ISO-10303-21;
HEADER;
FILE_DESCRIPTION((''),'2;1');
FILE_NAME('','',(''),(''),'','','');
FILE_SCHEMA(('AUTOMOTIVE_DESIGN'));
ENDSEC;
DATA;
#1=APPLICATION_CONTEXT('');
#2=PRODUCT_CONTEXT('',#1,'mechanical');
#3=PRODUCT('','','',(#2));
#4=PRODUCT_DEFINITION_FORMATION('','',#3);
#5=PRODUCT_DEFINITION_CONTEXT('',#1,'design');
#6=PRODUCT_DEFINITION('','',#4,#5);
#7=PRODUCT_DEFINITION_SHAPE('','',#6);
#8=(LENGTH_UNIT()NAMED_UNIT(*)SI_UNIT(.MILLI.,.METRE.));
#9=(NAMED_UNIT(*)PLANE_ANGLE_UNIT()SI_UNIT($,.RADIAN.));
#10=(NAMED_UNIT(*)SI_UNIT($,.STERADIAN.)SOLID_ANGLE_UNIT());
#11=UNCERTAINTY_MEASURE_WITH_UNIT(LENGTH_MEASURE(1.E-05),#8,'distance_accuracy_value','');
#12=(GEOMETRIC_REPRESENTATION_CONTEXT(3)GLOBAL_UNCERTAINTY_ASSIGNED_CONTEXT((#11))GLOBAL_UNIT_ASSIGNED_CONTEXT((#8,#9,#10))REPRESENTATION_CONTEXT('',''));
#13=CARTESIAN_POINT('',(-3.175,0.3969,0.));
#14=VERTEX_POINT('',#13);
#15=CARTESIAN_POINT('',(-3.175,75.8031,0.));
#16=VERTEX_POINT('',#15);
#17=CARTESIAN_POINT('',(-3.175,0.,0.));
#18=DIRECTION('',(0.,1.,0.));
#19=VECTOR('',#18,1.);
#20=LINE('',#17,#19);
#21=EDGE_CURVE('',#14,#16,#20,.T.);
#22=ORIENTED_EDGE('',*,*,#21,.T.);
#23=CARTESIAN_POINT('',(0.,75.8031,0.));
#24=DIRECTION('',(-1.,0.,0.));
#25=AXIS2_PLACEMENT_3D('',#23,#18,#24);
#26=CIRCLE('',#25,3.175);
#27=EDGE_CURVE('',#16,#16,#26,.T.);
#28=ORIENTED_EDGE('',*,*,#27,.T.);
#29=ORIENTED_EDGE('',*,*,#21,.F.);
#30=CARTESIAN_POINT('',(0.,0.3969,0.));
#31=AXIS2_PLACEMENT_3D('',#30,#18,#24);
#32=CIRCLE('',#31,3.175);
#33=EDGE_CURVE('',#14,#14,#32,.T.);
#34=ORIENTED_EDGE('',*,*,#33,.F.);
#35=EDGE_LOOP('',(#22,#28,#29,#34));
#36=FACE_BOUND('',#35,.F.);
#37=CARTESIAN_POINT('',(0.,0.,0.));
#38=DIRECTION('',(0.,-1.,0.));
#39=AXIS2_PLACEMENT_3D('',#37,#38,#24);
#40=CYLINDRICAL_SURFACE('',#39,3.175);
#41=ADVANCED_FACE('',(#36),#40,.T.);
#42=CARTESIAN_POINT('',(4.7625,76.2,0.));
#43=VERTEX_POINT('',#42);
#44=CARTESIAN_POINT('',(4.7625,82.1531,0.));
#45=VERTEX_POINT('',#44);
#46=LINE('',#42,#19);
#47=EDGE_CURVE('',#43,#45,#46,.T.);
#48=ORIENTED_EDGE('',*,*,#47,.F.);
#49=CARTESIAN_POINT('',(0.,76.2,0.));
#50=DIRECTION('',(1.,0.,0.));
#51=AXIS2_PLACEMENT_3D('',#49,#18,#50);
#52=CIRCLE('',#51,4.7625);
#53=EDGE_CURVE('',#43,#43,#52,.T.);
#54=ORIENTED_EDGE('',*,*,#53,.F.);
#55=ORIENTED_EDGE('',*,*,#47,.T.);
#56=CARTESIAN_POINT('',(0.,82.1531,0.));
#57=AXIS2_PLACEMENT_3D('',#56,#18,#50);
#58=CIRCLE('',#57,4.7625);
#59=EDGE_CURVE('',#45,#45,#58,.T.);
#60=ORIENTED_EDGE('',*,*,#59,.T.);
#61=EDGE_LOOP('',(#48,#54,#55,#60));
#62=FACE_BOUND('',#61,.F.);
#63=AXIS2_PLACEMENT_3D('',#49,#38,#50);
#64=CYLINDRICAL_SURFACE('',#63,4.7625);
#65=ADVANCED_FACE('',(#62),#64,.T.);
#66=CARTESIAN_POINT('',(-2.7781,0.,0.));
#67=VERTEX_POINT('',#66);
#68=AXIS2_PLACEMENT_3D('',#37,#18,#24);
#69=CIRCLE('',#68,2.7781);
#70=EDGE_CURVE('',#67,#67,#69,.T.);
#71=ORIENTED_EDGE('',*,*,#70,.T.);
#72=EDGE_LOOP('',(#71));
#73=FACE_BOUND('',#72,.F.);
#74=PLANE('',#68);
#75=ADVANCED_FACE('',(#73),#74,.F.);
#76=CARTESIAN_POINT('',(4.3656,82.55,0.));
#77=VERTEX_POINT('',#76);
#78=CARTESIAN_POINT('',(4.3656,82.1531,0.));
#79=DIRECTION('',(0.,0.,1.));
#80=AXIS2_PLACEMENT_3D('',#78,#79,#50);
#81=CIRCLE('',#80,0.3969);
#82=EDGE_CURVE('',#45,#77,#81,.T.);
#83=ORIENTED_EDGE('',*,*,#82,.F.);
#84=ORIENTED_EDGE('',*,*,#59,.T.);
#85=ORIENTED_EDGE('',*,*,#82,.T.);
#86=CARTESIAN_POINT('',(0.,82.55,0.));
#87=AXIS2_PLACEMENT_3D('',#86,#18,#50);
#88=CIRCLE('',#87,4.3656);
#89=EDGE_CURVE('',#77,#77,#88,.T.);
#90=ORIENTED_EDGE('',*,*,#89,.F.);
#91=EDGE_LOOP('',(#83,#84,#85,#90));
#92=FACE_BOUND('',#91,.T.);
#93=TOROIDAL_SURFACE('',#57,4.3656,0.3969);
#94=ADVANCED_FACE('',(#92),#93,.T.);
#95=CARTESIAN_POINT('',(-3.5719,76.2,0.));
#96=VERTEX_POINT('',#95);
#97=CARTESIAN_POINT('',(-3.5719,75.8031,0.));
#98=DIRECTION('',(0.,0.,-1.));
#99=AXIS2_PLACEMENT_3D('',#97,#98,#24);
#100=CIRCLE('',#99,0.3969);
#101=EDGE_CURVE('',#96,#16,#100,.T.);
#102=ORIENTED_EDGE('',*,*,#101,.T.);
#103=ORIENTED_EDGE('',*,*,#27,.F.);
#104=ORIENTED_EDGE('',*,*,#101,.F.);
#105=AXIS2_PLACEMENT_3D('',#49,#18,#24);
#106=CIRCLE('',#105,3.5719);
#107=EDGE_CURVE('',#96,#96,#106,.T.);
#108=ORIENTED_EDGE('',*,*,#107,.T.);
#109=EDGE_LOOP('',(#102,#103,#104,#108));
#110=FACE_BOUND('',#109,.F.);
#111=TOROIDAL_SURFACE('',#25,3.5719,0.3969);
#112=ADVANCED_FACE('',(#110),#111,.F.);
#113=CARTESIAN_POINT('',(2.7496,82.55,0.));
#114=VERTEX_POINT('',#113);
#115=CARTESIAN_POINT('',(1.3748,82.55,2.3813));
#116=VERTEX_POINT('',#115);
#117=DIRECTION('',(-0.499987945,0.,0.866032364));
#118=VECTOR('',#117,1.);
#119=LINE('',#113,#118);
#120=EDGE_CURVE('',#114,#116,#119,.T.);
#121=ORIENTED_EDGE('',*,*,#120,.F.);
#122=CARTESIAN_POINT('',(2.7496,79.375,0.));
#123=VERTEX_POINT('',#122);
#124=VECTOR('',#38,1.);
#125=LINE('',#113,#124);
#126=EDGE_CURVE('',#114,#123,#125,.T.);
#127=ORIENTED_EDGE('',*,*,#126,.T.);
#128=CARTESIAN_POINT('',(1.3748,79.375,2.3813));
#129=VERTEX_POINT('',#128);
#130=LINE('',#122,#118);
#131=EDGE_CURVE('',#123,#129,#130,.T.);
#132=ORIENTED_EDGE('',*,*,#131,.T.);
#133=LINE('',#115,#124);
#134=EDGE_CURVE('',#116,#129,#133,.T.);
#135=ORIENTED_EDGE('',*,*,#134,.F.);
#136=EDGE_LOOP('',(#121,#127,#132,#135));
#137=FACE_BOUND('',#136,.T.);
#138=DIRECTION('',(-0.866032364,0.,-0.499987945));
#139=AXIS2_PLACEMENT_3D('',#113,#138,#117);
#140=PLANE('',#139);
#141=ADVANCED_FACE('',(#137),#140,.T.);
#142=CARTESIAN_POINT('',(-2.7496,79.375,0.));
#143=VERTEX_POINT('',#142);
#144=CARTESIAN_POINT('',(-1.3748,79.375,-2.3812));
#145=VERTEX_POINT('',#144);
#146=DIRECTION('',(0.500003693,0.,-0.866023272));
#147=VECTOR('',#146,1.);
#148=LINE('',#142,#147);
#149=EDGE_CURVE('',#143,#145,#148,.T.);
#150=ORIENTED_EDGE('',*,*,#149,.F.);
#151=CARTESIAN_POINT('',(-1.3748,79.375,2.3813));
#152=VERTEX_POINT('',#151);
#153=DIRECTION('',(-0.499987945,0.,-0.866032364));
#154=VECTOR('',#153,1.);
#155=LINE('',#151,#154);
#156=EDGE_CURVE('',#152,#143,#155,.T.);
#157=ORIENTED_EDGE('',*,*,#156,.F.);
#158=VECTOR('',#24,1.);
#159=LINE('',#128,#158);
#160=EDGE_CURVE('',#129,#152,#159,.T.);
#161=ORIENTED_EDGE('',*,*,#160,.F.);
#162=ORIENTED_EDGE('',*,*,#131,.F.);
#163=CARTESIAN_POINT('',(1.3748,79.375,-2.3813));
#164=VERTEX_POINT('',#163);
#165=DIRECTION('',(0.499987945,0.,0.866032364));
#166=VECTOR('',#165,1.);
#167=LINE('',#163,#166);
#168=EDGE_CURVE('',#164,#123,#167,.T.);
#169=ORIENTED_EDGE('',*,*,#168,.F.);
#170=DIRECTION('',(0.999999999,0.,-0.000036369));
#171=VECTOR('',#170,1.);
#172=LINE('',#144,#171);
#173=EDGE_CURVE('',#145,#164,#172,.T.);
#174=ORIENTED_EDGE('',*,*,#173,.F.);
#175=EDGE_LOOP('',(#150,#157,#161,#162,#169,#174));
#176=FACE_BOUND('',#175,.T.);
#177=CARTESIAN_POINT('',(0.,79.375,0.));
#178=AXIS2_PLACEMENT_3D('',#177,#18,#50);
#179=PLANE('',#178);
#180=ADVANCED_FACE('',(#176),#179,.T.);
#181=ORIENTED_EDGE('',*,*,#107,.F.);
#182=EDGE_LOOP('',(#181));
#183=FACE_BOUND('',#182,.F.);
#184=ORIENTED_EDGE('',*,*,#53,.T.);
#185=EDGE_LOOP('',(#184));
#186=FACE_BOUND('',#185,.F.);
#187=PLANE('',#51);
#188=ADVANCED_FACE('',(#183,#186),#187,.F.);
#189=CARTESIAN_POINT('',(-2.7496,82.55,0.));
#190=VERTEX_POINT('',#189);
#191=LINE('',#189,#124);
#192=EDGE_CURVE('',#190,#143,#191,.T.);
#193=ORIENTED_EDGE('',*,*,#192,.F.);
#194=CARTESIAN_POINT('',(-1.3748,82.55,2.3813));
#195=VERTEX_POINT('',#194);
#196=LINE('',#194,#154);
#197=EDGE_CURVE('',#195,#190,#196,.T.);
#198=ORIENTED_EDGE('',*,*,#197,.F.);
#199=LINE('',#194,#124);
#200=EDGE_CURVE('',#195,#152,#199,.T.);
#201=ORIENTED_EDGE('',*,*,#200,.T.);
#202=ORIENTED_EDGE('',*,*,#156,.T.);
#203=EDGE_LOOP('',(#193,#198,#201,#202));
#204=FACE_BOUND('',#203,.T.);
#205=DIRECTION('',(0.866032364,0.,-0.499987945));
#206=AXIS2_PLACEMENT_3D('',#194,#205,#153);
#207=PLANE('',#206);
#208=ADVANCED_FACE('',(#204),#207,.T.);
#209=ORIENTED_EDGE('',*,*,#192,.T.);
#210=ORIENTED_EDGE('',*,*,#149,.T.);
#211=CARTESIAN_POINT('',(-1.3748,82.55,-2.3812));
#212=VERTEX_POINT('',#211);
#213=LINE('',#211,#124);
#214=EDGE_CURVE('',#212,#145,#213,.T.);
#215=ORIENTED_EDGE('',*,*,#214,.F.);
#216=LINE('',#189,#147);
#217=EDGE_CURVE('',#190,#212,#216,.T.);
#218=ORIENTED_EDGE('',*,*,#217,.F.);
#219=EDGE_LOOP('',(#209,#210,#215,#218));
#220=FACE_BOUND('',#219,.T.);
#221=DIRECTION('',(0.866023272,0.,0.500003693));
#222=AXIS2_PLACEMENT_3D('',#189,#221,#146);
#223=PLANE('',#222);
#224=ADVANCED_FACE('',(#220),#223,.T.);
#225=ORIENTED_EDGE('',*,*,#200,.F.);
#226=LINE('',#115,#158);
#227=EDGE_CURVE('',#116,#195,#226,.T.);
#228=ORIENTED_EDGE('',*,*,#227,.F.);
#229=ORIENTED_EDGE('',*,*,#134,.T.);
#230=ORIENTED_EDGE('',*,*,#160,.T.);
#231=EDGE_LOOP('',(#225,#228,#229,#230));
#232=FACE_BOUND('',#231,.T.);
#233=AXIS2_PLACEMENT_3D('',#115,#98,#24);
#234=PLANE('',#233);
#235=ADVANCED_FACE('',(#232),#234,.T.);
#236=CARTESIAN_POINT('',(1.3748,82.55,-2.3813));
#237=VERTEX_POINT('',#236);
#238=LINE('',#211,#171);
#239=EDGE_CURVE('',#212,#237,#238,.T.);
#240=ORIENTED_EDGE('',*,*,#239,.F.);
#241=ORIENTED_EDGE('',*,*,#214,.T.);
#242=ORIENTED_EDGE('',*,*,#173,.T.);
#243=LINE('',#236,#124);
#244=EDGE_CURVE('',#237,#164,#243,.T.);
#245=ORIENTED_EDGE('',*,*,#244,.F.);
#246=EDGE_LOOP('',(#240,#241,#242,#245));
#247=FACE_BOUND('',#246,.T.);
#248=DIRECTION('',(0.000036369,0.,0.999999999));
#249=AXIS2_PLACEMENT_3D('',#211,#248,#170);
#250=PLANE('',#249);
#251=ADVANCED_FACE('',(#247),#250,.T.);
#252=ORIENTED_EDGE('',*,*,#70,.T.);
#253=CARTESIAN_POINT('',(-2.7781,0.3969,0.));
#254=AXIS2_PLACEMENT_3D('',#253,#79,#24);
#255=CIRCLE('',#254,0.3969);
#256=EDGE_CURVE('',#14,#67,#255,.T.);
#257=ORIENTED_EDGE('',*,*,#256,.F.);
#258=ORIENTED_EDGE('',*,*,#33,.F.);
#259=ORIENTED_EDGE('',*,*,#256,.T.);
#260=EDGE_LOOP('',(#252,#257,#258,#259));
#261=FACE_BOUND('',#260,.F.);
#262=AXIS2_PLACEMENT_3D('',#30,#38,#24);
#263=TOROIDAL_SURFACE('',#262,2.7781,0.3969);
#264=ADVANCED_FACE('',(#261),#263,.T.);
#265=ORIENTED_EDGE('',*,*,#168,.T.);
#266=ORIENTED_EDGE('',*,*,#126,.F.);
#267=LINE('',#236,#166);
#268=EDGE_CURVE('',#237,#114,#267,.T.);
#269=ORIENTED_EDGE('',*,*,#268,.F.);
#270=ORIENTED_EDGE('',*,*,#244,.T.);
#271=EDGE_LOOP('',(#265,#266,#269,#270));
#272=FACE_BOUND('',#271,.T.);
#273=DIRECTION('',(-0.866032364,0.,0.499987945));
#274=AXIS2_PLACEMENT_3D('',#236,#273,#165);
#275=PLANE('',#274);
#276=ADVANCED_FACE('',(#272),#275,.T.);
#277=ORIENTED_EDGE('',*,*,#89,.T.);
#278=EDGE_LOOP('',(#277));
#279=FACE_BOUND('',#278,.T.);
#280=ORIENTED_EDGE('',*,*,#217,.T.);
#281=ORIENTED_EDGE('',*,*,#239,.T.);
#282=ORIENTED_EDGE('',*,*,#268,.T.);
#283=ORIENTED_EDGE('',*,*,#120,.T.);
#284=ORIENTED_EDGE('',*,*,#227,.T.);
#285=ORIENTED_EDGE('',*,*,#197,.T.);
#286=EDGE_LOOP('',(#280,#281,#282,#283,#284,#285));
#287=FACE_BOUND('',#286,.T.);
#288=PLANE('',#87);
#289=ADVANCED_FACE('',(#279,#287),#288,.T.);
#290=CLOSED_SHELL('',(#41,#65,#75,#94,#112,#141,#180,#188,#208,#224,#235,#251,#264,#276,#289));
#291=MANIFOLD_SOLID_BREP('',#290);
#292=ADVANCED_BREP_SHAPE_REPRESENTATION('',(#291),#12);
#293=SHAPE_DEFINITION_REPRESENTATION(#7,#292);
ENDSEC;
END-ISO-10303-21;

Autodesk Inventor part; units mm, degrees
ref_plane "YZ Plane" through (0, 0, 0) normal (1, 0, 0) x (0, 1, 0)
ref_plane "XZ Plane" through (0, 0, 0) normal (0, 1, 0) x (-1, 0, 0)
ref_plane "XY Plane" through (0, 0, 0) normal (0, 0, 1) x (1, 0, 0)
sketch "Sketch1" plane through (0, 0, 0) normal (0, 1, 0) x (-1, 0, 0)
  circle A0 centre (0, 0) radius 3.175
  dimension "d0" = 6.35
extrude "Extrusion1" add sketch "Sketch1" along normal blind 76.2
sketch "Sketch2" plane through (0, 76.2, 0) normal (0, 1, 0) x (1, 0, 0)
  circle A0 centre (0, 0) radius 3.175 projected
  circle A1 centre (0, 0) radius 4.7625
  dimension "d3" = 9.525
extrude "Extrusion2" add sketch "Sketch2" along normal blind 6.35 contours A0 | A1
sketch "Sketch3" plane through (0, 82.55, 0) normal (0, 1, 0) x (1, 0, 0)
  circle A0 centre (0, 0) radius 4.7625 projected
  line L0 (-1.3748, 2.3812) -> (1.3748, 2.3813)
  line L1 (1.3748, 2.3813) -> (2.7496, 0)
  line L2 (2.7496, 0) -> (1.3748, -2.3813)
  line L3 (1.3748, -2.3813) -> (-1.3748, -2.3813)
  line L4 (-1.3748, -2.3813) -> (-2.7496, 0)
  line L5 (-2.7496, 0) -> (-1.3748, 2.3812)
  dimension "d6" = 4.7625
extrude "Extrusion3" cut sketch "Sketch3" against normal blind 3.175 contours L0 L1 L2 L3 L4 L5
fillet "Fillet1" radius 0.3969 3 edges at (3.175, 76.2, 0) (-4.7625, 82.55, 0) (3.175, 0, 0)
properties part number "Bolt_0.25_20_3.0len_SocketHead" material "Stainless Steel, Austenitic"
